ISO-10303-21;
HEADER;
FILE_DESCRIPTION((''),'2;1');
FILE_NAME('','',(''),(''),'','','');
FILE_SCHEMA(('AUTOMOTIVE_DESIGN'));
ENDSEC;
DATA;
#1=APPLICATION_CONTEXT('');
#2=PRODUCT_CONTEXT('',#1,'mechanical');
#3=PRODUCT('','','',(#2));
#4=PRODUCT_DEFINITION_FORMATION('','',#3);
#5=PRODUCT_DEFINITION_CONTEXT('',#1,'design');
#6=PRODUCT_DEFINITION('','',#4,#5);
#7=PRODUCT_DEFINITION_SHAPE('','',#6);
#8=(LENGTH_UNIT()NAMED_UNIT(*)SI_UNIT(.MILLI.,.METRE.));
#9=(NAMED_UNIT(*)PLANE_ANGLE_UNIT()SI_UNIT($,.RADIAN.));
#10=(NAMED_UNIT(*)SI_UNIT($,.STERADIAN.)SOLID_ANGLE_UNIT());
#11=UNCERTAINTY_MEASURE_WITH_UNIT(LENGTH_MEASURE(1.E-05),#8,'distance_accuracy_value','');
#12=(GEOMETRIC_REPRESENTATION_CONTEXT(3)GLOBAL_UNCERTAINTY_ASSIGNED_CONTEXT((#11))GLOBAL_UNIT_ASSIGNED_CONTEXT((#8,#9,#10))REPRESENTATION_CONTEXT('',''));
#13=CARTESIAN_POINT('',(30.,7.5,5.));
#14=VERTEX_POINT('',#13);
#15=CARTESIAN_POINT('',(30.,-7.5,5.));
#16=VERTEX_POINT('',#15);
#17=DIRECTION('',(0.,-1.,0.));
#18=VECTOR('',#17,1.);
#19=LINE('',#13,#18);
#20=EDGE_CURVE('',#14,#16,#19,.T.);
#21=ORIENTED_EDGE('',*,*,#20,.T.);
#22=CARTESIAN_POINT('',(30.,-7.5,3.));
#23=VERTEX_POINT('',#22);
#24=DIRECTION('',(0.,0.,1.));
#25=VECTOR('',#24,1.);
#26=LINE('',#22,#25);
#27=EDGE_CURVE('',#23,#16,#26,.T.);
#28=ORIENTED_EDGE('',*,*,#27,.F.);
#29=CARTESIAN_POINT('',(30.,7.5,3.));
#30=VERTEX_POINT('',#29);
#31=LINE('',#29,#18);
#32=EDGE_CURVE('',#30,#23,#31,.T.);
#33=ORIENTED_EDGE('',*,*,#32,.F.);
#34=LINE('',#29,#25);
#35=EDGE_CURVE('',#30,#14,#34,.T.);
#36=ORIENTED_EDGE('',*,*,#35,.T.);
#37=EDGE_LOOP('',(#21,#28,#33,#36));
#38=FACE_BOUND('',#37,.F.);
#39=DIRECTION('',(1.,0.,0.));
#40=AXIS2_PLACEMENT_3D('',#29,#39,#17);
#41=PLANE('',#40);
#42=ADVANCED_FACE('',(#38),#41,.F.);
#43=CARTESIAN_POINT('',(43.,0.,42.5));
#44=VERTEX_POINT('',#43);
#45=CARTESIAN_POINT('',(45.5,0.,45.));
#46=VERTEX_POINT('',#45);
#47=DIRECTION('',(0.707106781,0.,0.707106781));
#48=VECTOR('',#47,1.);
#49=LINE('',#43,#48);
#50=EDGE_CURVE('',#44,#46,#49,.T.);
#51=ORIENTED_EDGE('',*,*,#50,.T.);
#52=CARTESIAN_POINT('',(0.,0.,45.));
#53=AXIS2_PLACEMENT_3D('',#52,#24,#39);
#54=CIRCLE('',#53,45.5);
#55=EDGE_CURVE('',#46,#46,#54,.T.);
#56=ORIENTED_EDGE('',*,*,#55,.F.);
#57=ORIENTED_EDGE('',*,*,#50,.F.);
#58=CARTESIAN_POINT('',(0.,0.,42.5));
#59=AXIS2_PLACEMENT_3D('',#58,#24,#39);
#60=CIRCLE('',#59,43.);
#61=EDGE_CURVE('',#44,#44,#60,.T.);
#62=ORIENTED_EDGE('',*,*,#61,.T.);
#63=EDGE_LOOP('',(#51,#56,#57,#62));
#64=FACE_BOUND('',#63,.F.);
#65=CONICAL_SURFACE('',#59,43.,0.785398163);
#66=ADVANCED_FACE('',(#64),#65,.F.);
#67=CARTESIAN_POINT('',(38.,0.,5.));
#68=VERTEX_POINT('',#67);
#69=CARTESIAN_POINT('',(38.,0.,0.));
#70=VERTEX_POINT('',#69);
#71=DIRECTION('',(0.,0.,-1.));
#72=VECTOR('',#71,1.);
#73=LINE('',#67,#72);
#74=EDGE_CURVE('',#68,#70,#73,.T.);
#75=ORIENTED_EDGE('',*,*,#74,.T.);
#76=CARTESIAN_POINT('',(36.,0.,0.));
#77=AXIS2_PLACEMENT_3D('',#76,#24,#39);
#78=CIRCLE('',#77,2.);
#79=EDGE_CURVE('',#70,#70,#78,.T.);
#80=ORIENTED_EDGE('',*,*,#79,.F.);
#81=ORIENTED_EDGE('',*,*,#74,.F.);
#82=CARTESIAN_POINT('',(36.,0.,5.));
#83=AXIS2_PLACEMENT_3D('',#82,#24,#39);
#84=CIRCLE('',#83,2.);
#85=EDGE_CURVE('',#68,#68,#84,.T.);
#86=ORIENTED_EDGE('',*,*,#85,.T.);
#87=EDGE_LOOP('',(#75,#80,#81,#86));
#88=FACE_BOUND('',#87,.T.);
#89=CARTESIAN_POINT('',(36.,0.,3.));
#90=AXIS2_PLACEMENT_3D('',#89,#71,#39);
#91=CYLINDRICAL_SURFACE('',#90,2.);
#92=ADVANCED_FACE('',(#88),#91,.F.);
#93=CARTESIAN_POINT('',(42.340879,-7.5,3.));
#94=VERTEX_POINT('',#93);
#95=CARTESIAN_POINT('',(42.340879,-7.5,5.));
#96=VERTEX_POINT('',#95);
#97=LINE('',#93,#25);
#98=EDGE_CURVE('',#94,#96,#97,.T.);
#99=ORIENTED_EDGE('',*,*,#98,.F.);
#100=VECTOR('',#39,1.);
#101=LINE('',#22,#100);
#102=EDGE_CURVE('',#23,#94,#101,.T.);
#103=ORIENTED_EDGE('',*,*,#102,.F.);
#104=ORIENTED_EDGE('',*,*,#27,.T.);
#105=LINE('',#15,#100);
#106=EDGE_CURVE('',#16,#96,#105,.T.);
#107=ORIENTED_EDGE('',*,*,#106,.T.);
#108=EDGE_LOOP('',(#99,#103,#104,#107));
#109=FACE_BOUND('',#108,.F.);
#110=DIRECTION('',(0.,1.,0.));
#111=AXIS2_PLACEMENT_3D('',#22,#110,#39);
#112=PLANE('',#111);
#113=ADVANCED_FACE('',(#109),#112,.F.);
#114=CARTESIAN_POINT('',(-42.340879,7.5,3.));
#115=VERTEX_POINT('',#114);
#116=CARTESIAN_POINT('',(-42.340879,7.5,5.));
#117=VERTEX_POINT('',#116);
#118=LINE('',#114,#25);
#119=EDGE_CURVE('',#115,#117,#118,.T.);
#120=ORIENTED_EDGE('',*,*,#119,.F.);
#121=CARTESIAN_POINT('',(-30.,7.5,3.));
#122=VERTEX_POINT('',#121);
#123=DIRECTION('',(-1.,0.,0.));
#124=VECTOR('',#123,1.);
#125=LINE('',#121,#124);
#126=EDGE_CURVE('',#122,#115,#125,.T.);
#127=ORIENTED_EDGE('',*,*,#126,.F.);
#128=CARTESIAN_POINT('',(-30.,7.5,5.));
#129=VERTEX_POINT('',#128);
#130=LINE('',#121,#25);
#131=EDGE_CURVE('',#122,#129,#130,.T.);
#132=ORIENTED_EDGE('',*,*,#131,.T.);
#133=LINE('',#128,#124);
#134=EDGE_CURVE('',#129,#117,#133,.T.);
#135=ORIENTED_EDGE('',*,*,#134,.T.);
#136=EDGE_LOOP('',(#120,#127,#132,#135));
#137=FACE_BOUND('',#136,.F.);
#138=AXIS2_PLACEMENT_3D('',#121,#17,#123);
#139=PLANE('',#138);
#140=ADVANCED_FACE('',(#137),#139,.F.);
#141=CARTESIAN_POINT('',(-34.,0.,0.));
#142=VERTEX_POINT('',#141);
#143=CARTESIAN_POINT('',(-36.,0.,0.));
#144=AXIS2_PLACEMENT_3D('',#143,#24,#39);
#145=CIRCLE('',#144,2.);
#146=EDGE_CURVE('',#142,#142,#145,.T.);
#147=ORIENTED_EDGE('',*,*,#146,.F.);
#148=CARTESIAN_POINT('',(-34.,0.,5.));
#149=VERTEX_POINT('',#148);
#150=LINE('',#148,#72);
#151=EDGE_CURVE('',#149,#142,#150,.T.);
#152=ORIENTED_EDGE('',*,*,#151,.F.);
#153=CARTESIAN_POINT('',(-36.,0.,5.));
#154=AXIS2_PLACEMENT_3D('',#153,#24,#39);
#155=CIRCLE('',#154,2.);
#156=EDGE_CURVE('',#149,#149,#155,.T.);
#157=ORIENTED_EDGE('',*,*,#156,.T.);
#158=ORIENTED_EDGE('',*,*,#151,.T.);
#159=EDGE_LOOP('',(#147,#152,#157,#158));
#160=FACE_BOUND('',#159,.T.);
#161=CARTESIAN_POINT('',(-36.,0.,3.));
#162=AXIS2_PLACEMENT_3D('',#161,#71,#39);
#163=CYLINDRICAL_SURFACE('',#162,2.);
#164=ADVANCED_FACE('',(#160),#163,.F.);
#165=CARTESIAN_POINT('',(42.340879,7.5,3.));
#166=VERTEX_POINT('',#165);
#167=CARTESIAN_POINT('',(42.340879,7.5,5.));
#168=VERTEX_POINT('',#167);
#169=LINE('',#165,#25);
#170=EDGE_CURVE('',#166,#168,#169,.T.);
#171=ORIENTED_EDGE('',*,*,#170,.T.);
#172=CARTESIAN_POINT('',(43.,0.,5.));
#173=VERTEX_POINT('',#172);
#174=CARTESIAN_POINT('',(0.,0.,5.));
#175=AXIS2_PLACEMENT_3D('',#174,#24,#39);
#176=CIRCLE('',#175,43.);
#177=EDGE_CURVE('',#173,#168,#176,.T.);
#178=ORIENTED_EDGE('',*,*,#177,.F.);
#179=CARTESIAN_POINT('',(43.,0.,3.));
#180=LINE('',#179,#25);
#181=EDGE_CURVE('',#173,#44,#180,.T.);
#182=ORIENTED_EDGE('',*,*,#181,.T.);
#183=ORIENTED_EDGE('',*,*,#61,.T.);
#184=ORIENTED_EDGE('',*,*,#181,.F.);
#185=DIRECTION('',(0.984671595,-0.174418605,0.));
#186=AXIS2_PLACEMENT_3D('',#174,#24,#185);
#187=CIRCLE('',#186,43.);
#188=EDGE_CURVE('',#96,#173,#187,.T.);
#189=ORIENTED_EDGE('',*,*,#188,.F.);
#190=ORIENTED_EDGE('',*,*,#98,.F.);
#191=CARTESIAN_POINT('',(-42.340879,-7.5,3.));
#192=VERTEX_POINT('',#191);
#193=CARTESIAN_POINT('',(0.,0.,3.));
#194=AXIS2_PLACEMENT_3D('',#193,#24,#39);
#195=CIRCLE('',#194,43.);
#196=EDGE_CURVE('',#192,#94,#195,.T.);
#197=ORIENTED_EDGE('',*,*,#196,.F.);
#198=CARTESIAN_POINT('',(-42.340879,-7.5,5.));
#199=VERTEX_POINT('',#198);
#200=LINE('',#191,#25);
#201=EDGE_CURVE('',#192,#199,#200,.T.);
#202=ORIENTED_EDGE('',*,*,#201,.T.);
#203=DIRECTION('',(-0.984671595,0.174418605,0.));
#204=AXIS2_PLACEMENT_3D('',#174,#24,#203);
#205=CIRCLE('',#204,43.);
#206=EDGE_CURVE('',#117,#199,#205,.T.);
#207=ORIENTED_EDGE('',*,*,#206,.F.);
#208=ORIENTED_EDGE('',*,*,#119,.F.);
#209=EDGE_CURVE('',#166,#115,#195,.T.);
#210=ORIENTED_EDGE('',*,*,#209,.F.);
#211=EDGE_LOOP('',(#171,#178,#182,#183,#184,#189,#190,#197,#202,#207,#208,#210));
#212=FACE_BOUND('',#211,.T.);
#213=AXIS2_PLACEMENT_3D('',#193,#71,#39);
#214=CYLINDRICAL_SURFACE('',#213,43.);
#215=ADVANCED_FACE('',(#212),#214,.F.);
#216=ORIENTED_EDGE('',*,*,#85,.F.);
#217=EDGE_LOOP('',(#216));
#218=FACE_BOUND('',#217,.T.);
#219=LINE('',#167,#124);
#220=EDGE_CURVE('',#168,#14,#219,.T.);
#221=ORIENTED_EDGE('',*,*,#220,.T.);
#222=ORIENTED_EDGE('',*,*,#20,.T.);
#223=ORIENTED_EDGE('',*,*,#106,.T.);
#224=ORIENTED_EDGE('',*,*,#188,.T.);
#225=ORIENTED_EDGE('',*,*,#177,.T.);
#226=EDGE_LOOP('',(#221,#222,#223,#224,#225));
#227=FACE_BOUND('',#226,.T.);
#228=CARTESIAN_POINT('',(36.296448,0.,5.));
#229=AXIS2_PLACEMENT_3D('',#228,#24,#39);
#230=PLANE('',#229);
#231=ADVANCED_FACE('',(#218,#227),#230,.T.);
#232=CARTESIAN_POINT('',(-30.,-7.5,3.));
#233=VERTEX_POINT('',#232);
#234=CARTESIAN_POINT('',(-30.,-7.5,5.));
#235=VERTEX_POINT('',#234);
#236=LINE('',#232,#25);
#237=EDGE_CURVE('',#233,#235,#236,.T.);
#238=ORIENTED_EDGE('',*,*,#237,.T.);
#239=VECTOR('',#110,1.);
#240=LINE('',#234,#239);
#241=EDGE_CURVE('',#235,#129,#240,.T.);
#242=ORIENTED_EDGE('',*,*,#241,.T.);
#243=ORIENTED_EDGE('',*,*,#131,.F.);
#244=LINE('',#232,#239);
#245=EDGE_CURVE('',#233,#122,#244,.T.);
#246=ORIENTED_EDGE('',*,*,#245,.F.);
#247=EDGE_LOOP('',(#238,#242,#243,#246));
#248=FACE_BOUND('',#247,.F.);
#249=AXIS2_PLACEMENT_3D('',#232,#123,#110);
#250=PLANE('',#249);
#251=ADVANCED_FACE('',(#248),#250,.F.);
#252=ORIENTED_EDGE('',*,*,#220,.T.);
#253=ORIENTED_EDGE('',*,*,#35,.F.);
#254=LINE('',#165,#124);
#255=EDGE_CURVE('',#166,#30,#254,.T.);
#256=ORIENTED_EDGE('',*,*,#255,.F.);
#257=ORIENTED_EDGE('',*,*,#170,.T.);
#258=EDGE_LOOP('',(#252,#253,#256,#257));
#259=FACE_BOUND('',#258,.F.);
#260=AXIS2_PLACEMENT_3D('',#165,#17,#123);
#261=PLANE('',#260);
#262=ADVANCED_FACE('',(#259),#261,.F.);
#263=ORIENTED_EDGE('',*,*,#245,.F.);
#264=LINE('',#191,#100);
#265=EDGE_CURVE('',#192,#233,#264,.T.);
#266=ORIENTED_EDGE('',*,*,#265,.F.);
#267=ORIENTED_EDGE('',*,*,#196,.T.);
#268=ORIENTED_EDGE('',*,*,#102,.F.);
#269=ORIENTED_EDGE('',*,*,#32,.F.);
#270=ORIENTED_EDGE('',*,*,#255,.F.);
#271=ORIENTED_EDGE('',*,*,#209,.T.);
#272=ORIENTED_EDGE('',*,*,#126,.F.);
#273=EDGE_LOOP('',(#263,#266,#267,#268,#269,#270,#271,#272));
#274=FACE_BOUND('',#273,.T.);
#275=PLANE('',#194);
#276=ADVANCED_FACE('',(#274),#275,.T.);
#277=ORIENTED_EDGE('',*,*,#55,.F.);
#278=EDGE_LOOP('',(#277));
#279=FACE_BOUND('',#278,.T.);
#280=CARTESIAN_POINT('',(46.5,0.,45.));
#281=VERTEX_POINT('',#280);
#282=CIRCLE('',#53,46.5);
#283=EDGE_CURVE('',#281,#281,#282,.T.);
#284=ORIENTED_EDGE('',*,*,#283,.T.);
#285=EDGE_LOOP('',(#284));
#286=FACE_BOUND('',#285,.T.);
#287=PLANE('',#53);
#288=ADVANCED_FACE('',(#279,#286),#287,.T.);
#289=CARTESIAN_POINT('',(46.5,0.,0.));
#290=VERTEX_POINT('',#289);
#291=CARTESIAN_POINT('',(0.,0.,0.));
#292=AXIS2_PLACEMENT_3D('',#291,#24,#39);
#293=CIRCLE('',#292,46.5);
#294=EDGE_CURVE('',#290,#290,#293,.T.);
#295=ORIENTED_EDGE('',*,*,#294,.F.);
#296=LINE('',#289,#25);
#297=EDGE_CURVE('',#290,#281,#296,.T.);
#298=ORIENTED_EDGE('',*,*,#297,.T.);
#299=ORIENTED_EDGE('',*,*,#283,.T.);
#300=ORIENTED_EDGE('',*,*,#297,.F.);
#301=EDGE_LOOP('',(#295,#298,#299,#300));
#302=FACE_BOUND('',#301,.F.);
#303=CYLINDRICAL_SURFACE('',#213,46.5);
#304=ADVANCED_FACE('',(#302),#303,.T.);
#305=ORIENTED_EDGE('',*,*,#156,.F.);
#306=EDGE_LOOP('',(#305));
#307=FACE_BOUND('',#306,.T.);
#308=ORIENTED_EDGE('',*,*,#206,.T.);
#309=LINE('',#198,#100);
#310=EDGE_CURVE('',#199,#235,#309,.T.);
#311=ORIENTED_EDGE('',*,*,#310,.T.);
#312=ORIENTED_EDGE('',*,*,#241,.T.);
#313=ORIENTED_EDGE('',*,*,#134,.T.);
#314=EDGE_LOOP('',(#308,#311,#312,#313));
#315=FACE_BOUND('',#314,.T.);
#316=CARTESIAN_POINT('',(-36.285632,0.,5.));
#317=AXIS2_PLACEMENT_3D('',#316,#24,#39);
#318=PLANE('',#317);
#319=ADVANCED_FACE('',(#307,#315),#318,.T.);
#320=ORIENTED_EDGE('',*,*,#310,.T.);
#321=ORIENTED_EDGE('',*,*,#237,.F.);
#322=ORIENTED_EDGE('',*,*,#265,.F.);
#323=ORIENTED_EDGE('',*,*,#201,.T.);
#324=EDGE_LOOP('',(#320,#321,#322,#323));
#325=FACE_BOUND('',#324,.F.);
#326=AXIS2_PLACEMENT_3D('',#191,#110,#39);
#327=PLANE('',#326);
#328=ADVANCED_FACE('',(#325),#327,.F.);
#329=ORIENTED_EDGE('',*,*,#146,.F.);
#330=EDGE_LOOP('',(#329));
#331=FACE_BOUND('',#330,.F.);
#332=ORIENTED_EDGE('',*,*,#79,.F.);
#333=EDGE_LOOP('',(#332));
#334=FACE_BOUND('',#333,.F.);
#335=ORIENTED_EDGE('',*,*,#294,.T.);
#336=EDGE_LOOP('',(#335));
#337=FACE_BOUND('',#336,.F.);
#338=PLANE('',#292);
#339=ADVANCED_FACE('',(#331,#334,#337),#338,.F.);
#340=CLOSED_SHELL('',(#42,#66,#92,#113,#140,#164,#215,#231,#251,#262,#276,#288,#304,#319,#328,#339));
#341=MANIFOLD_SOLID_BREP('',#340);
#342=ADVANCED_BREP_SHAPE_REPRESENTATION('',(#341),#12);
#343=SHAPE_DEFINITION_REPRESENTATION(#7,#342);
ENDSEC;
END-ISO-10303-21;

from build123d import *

# Parameters (mm, degrees)
F0_R     = 46.5
F0_R_2   = 2
F1_DEPTH = 3
F2_R     = 46.5
F2_R_2   = 43
F3_DEPTH = 42
F4_SIZE  = 2.5
F5_R     = 2
F6_DEPTH = 2


with BuildPart() as f1:
    # F0 (on Top) → F1 (new body)
    with BuildSketch(Plane.XY):
        Circle(F0_R)
        with Locations((-36, 0)):
            Circle(F0_R_2, mode=Mode.SUBTRACT)
        with Locations((36, 0)):
            Circle(F0_R_2, mode=Mode.SUBTRACT)
    extrude(amount=F1_DEPTH)

    # F2 (on face) → F3 (join)
    with BuildSketch(Plane.XY.offset(3)):
        Circle(F2_R)
        Circle(F2_R_2, mode=Mode.SUBTRACT)
    extrude(amount=F3_DEPTH)

    # F4
    f4_edges = [f1.edges().sort_by_distance(p)[0] for p in [
        (-43, 0, 45),
    ]]
    chamfer(f4_edges, length=F4_SIZE)

    # F5 (on face) → F6 (join)
    with BuildSketch(Plane.XY.offset(3)):
        with BuildLine():
            Line((-30, -7.5), (-30, 7.5))
            Line((-30, 7.5), (-42.3408785927, 7.5))
            ThreePointArc((-42.3408785927, 7.5), (-43, 0), (-42.3408785927, -7.5))
            Line((-42.3408785927, -7.5), (-30, -7.5))
        make_face()
        with Locations((-36, 0)):
            Circle(F5_R, mode=Mode.SUBTRACT)
        with BuildLine():
            ThreePointArc((43, 0), (42.834902705, 3.7644535138), (42.3408785927, 7.5))
            Line((42.3408785927, 7.5), (30, 7.5))
            Line((30, 7.5), (30, -7.5))
            Line((30, -7.5), (42.3408785927, -7.5))
            ThreePointArc((42.3408785927, -7.5), (42.834902705, -3.7644535138), (43, 0))
        make_face()
        with Locations((36, 0)):
            Circle(F5_R, mode=Mode.SUBTRACT)
    extrude(amount=F6_DEPTH)


solid = f1.part
